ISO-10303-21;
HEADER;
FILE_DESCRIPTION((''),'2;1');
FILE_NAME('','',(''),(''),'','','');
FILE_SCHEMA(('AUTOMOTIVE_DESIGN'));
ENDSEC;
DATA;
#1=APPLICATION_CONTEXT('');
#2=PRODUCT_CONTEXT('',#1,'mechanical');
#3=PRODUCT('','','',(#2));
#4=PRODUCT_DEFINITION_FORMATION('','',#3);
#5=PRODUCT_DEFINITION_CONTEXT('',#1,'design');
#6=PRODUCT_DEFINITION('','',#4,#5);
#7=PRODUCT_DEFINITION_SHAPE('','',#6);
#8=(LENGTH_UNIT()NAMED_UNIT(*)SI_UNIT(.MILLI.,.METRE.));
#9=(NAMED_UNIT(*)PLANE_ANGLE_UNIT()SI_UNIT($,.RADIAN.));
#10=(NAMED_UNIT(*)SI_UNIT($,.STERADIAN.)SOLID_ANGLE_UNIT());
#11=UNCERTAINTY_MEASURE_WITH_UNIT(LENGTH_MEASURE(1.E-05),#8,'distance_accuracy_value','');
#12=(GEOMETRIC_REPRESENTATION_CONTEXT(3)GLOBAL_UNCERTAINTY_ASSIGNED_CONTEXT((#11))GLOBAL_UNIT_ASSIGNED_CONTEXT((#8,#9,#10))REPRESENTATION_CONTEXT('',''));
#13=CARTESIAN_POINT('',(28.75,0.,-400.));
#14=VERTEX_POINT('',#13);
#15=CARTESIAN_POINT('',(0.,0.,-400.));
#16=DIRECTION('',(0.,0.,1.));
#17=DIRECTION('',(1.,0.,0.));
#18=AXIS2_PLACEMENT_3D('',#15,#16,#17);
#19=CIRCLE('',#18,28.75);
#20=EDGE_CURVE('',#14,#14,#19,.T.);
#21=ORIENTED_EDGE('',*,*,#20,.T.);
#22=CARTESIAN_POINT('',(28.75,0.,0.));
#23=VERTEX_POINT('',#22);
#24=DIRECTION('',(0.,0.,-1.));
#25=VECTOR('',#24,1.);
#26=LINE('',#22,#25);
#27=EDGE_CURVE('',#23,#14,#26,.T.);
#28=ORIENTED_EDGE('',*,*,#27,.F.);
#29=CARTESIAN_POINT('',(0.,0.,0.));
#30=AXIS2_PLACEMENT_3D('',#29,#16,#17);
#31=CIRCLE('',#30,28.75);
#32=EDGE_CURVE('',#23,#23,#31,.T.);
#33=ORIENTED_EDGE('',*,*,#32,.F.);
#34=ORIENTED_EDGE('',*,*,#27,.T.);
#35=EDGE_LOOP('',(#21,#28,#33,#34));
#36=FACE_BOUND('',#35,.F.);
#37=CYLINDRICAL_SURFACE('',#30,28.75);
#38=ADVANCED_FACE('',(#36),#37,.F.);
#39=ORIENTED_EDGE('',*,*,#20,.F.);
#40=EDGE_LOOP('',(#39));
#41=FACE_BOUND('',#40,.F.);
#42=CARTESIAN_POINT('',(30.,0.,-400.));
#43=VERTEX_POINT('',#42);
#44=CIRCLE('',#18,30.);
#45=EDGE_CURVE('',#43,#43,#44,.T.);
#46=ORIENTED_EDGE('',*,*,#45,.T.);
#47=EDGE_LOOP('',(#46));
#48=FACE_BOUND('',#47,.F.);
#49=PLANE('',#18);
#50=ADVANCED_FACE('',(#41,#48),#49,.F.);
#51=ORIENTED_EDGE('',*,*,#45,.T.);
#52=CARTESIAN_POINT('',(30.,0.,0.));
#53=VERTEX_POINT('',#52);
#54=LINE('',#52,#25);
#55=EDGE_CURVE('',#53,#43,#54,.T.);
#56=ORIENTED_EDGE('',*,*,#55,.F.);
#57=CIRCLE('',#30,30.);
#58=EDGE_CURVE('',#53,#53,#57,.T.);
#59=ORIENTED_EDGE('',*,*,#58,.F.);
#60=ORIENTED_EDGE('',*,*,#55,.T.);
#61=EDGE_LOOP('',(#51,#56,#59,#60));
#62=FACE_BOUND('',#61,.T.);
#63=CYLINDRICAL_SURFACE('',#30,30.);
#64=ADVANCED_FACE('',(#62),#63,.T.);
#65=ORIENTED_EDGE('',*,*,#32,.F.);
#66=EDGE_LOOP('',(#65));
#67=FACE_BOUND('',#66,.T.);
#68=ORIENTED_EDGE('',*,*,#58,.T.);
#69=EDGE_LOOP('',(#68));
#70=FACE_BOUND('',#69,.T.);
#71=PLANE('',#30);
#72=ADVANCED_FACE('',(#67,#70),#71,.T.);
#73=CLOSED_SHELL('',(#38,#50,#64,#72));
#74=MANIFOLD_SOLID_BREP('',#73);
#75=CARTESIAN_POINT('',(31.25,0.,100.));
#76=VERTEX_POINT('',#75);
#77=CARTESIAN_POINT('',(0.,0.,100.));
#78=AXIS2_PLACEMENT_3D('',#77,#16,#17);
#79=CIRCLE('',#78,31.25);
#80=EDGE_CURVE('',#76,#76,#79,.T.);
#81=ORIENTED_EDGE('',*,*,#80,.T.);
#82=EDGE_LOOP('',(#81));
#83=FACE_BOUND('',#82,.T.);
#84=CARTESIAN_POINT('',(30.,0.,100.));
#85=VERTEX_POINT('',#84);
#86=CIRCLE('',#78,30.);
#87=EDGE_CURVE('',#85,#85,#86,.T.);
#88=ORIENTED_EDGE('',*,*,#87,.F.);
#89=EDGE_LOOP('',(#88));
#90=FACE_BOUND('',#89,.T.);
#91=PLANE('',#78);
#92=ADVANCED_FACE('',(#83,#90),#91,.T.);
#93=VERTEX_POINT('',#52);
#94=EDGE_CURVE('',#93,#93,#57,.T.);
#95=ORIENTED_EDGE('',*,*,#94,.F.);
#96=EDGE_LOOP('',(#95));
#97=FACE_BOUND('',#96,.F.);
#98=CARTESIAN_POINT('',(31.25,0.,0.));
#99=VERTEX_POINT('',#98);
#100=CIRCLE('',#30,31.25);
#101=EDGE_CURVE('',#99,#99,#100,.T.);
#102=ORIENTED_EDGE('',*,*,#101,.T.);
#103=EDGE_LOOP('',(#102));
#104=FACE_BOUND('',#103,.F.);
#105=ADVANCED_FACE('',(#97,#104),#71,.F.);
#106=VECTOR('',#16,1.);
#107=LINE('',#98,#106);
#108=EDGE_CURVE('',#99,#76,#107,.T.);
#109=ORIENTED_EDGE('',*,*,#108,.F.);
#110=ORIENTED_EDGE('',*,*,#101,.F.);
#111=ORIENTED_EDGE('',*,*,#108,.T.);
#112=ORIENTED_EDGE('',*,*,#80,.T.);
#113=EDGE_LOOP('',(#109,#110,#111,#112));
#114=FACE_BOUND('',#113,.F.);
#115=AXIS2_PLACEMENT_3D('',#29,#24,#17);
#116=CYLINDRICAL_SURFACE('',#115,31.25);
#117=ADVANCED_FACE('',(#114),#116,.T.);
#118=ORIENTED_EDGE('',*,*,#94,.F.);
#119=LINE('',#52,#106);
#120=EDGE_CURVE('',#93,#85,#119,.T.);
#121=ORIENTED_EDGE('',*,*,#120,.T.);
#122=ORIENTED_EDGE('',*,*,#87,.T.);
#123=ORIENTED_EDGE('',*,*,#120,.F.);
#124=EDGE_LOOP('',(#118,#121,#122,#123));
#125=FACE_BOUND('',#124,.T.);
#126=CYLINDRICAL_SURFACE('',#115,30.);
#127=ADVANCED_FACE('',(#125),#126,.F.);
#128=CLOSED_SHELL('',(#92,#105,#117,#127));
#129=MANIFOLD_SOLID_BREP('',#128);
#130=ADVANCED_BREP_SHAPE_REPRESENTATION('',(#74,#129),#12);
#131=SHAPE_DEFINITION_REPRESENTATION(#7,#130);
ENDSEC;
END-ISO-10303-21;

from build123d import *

# Parameters (mm, degrees)
F0_R     = 31.25
F0_R_2   = 30
F1_DEPTH = 100
F2_R     = 30
F2_R_2   = 28.75
F3_DEPTH = 400


with BuildPart() as f1:
    # F0 (on Top) → F1 (new body)
    with BuildSketch(Plane.XY):
        Circle(F0_R)
        Circle(F0_R_2, mode=Mode.SUBTRACT)
    extrude(amount=F1_DEPTH)


with BuildPart() as f3:
    # F2 (on Top) → F3 (new body)
    with BuildSketch(Plane.XY):
        Circle(F2_R)
        Circle(F2_R_2, mode=Mode.SUBTRACT)
    extrude(amount=-F3_DEPTH)


solid = Compound([f1.part, f3.part])
